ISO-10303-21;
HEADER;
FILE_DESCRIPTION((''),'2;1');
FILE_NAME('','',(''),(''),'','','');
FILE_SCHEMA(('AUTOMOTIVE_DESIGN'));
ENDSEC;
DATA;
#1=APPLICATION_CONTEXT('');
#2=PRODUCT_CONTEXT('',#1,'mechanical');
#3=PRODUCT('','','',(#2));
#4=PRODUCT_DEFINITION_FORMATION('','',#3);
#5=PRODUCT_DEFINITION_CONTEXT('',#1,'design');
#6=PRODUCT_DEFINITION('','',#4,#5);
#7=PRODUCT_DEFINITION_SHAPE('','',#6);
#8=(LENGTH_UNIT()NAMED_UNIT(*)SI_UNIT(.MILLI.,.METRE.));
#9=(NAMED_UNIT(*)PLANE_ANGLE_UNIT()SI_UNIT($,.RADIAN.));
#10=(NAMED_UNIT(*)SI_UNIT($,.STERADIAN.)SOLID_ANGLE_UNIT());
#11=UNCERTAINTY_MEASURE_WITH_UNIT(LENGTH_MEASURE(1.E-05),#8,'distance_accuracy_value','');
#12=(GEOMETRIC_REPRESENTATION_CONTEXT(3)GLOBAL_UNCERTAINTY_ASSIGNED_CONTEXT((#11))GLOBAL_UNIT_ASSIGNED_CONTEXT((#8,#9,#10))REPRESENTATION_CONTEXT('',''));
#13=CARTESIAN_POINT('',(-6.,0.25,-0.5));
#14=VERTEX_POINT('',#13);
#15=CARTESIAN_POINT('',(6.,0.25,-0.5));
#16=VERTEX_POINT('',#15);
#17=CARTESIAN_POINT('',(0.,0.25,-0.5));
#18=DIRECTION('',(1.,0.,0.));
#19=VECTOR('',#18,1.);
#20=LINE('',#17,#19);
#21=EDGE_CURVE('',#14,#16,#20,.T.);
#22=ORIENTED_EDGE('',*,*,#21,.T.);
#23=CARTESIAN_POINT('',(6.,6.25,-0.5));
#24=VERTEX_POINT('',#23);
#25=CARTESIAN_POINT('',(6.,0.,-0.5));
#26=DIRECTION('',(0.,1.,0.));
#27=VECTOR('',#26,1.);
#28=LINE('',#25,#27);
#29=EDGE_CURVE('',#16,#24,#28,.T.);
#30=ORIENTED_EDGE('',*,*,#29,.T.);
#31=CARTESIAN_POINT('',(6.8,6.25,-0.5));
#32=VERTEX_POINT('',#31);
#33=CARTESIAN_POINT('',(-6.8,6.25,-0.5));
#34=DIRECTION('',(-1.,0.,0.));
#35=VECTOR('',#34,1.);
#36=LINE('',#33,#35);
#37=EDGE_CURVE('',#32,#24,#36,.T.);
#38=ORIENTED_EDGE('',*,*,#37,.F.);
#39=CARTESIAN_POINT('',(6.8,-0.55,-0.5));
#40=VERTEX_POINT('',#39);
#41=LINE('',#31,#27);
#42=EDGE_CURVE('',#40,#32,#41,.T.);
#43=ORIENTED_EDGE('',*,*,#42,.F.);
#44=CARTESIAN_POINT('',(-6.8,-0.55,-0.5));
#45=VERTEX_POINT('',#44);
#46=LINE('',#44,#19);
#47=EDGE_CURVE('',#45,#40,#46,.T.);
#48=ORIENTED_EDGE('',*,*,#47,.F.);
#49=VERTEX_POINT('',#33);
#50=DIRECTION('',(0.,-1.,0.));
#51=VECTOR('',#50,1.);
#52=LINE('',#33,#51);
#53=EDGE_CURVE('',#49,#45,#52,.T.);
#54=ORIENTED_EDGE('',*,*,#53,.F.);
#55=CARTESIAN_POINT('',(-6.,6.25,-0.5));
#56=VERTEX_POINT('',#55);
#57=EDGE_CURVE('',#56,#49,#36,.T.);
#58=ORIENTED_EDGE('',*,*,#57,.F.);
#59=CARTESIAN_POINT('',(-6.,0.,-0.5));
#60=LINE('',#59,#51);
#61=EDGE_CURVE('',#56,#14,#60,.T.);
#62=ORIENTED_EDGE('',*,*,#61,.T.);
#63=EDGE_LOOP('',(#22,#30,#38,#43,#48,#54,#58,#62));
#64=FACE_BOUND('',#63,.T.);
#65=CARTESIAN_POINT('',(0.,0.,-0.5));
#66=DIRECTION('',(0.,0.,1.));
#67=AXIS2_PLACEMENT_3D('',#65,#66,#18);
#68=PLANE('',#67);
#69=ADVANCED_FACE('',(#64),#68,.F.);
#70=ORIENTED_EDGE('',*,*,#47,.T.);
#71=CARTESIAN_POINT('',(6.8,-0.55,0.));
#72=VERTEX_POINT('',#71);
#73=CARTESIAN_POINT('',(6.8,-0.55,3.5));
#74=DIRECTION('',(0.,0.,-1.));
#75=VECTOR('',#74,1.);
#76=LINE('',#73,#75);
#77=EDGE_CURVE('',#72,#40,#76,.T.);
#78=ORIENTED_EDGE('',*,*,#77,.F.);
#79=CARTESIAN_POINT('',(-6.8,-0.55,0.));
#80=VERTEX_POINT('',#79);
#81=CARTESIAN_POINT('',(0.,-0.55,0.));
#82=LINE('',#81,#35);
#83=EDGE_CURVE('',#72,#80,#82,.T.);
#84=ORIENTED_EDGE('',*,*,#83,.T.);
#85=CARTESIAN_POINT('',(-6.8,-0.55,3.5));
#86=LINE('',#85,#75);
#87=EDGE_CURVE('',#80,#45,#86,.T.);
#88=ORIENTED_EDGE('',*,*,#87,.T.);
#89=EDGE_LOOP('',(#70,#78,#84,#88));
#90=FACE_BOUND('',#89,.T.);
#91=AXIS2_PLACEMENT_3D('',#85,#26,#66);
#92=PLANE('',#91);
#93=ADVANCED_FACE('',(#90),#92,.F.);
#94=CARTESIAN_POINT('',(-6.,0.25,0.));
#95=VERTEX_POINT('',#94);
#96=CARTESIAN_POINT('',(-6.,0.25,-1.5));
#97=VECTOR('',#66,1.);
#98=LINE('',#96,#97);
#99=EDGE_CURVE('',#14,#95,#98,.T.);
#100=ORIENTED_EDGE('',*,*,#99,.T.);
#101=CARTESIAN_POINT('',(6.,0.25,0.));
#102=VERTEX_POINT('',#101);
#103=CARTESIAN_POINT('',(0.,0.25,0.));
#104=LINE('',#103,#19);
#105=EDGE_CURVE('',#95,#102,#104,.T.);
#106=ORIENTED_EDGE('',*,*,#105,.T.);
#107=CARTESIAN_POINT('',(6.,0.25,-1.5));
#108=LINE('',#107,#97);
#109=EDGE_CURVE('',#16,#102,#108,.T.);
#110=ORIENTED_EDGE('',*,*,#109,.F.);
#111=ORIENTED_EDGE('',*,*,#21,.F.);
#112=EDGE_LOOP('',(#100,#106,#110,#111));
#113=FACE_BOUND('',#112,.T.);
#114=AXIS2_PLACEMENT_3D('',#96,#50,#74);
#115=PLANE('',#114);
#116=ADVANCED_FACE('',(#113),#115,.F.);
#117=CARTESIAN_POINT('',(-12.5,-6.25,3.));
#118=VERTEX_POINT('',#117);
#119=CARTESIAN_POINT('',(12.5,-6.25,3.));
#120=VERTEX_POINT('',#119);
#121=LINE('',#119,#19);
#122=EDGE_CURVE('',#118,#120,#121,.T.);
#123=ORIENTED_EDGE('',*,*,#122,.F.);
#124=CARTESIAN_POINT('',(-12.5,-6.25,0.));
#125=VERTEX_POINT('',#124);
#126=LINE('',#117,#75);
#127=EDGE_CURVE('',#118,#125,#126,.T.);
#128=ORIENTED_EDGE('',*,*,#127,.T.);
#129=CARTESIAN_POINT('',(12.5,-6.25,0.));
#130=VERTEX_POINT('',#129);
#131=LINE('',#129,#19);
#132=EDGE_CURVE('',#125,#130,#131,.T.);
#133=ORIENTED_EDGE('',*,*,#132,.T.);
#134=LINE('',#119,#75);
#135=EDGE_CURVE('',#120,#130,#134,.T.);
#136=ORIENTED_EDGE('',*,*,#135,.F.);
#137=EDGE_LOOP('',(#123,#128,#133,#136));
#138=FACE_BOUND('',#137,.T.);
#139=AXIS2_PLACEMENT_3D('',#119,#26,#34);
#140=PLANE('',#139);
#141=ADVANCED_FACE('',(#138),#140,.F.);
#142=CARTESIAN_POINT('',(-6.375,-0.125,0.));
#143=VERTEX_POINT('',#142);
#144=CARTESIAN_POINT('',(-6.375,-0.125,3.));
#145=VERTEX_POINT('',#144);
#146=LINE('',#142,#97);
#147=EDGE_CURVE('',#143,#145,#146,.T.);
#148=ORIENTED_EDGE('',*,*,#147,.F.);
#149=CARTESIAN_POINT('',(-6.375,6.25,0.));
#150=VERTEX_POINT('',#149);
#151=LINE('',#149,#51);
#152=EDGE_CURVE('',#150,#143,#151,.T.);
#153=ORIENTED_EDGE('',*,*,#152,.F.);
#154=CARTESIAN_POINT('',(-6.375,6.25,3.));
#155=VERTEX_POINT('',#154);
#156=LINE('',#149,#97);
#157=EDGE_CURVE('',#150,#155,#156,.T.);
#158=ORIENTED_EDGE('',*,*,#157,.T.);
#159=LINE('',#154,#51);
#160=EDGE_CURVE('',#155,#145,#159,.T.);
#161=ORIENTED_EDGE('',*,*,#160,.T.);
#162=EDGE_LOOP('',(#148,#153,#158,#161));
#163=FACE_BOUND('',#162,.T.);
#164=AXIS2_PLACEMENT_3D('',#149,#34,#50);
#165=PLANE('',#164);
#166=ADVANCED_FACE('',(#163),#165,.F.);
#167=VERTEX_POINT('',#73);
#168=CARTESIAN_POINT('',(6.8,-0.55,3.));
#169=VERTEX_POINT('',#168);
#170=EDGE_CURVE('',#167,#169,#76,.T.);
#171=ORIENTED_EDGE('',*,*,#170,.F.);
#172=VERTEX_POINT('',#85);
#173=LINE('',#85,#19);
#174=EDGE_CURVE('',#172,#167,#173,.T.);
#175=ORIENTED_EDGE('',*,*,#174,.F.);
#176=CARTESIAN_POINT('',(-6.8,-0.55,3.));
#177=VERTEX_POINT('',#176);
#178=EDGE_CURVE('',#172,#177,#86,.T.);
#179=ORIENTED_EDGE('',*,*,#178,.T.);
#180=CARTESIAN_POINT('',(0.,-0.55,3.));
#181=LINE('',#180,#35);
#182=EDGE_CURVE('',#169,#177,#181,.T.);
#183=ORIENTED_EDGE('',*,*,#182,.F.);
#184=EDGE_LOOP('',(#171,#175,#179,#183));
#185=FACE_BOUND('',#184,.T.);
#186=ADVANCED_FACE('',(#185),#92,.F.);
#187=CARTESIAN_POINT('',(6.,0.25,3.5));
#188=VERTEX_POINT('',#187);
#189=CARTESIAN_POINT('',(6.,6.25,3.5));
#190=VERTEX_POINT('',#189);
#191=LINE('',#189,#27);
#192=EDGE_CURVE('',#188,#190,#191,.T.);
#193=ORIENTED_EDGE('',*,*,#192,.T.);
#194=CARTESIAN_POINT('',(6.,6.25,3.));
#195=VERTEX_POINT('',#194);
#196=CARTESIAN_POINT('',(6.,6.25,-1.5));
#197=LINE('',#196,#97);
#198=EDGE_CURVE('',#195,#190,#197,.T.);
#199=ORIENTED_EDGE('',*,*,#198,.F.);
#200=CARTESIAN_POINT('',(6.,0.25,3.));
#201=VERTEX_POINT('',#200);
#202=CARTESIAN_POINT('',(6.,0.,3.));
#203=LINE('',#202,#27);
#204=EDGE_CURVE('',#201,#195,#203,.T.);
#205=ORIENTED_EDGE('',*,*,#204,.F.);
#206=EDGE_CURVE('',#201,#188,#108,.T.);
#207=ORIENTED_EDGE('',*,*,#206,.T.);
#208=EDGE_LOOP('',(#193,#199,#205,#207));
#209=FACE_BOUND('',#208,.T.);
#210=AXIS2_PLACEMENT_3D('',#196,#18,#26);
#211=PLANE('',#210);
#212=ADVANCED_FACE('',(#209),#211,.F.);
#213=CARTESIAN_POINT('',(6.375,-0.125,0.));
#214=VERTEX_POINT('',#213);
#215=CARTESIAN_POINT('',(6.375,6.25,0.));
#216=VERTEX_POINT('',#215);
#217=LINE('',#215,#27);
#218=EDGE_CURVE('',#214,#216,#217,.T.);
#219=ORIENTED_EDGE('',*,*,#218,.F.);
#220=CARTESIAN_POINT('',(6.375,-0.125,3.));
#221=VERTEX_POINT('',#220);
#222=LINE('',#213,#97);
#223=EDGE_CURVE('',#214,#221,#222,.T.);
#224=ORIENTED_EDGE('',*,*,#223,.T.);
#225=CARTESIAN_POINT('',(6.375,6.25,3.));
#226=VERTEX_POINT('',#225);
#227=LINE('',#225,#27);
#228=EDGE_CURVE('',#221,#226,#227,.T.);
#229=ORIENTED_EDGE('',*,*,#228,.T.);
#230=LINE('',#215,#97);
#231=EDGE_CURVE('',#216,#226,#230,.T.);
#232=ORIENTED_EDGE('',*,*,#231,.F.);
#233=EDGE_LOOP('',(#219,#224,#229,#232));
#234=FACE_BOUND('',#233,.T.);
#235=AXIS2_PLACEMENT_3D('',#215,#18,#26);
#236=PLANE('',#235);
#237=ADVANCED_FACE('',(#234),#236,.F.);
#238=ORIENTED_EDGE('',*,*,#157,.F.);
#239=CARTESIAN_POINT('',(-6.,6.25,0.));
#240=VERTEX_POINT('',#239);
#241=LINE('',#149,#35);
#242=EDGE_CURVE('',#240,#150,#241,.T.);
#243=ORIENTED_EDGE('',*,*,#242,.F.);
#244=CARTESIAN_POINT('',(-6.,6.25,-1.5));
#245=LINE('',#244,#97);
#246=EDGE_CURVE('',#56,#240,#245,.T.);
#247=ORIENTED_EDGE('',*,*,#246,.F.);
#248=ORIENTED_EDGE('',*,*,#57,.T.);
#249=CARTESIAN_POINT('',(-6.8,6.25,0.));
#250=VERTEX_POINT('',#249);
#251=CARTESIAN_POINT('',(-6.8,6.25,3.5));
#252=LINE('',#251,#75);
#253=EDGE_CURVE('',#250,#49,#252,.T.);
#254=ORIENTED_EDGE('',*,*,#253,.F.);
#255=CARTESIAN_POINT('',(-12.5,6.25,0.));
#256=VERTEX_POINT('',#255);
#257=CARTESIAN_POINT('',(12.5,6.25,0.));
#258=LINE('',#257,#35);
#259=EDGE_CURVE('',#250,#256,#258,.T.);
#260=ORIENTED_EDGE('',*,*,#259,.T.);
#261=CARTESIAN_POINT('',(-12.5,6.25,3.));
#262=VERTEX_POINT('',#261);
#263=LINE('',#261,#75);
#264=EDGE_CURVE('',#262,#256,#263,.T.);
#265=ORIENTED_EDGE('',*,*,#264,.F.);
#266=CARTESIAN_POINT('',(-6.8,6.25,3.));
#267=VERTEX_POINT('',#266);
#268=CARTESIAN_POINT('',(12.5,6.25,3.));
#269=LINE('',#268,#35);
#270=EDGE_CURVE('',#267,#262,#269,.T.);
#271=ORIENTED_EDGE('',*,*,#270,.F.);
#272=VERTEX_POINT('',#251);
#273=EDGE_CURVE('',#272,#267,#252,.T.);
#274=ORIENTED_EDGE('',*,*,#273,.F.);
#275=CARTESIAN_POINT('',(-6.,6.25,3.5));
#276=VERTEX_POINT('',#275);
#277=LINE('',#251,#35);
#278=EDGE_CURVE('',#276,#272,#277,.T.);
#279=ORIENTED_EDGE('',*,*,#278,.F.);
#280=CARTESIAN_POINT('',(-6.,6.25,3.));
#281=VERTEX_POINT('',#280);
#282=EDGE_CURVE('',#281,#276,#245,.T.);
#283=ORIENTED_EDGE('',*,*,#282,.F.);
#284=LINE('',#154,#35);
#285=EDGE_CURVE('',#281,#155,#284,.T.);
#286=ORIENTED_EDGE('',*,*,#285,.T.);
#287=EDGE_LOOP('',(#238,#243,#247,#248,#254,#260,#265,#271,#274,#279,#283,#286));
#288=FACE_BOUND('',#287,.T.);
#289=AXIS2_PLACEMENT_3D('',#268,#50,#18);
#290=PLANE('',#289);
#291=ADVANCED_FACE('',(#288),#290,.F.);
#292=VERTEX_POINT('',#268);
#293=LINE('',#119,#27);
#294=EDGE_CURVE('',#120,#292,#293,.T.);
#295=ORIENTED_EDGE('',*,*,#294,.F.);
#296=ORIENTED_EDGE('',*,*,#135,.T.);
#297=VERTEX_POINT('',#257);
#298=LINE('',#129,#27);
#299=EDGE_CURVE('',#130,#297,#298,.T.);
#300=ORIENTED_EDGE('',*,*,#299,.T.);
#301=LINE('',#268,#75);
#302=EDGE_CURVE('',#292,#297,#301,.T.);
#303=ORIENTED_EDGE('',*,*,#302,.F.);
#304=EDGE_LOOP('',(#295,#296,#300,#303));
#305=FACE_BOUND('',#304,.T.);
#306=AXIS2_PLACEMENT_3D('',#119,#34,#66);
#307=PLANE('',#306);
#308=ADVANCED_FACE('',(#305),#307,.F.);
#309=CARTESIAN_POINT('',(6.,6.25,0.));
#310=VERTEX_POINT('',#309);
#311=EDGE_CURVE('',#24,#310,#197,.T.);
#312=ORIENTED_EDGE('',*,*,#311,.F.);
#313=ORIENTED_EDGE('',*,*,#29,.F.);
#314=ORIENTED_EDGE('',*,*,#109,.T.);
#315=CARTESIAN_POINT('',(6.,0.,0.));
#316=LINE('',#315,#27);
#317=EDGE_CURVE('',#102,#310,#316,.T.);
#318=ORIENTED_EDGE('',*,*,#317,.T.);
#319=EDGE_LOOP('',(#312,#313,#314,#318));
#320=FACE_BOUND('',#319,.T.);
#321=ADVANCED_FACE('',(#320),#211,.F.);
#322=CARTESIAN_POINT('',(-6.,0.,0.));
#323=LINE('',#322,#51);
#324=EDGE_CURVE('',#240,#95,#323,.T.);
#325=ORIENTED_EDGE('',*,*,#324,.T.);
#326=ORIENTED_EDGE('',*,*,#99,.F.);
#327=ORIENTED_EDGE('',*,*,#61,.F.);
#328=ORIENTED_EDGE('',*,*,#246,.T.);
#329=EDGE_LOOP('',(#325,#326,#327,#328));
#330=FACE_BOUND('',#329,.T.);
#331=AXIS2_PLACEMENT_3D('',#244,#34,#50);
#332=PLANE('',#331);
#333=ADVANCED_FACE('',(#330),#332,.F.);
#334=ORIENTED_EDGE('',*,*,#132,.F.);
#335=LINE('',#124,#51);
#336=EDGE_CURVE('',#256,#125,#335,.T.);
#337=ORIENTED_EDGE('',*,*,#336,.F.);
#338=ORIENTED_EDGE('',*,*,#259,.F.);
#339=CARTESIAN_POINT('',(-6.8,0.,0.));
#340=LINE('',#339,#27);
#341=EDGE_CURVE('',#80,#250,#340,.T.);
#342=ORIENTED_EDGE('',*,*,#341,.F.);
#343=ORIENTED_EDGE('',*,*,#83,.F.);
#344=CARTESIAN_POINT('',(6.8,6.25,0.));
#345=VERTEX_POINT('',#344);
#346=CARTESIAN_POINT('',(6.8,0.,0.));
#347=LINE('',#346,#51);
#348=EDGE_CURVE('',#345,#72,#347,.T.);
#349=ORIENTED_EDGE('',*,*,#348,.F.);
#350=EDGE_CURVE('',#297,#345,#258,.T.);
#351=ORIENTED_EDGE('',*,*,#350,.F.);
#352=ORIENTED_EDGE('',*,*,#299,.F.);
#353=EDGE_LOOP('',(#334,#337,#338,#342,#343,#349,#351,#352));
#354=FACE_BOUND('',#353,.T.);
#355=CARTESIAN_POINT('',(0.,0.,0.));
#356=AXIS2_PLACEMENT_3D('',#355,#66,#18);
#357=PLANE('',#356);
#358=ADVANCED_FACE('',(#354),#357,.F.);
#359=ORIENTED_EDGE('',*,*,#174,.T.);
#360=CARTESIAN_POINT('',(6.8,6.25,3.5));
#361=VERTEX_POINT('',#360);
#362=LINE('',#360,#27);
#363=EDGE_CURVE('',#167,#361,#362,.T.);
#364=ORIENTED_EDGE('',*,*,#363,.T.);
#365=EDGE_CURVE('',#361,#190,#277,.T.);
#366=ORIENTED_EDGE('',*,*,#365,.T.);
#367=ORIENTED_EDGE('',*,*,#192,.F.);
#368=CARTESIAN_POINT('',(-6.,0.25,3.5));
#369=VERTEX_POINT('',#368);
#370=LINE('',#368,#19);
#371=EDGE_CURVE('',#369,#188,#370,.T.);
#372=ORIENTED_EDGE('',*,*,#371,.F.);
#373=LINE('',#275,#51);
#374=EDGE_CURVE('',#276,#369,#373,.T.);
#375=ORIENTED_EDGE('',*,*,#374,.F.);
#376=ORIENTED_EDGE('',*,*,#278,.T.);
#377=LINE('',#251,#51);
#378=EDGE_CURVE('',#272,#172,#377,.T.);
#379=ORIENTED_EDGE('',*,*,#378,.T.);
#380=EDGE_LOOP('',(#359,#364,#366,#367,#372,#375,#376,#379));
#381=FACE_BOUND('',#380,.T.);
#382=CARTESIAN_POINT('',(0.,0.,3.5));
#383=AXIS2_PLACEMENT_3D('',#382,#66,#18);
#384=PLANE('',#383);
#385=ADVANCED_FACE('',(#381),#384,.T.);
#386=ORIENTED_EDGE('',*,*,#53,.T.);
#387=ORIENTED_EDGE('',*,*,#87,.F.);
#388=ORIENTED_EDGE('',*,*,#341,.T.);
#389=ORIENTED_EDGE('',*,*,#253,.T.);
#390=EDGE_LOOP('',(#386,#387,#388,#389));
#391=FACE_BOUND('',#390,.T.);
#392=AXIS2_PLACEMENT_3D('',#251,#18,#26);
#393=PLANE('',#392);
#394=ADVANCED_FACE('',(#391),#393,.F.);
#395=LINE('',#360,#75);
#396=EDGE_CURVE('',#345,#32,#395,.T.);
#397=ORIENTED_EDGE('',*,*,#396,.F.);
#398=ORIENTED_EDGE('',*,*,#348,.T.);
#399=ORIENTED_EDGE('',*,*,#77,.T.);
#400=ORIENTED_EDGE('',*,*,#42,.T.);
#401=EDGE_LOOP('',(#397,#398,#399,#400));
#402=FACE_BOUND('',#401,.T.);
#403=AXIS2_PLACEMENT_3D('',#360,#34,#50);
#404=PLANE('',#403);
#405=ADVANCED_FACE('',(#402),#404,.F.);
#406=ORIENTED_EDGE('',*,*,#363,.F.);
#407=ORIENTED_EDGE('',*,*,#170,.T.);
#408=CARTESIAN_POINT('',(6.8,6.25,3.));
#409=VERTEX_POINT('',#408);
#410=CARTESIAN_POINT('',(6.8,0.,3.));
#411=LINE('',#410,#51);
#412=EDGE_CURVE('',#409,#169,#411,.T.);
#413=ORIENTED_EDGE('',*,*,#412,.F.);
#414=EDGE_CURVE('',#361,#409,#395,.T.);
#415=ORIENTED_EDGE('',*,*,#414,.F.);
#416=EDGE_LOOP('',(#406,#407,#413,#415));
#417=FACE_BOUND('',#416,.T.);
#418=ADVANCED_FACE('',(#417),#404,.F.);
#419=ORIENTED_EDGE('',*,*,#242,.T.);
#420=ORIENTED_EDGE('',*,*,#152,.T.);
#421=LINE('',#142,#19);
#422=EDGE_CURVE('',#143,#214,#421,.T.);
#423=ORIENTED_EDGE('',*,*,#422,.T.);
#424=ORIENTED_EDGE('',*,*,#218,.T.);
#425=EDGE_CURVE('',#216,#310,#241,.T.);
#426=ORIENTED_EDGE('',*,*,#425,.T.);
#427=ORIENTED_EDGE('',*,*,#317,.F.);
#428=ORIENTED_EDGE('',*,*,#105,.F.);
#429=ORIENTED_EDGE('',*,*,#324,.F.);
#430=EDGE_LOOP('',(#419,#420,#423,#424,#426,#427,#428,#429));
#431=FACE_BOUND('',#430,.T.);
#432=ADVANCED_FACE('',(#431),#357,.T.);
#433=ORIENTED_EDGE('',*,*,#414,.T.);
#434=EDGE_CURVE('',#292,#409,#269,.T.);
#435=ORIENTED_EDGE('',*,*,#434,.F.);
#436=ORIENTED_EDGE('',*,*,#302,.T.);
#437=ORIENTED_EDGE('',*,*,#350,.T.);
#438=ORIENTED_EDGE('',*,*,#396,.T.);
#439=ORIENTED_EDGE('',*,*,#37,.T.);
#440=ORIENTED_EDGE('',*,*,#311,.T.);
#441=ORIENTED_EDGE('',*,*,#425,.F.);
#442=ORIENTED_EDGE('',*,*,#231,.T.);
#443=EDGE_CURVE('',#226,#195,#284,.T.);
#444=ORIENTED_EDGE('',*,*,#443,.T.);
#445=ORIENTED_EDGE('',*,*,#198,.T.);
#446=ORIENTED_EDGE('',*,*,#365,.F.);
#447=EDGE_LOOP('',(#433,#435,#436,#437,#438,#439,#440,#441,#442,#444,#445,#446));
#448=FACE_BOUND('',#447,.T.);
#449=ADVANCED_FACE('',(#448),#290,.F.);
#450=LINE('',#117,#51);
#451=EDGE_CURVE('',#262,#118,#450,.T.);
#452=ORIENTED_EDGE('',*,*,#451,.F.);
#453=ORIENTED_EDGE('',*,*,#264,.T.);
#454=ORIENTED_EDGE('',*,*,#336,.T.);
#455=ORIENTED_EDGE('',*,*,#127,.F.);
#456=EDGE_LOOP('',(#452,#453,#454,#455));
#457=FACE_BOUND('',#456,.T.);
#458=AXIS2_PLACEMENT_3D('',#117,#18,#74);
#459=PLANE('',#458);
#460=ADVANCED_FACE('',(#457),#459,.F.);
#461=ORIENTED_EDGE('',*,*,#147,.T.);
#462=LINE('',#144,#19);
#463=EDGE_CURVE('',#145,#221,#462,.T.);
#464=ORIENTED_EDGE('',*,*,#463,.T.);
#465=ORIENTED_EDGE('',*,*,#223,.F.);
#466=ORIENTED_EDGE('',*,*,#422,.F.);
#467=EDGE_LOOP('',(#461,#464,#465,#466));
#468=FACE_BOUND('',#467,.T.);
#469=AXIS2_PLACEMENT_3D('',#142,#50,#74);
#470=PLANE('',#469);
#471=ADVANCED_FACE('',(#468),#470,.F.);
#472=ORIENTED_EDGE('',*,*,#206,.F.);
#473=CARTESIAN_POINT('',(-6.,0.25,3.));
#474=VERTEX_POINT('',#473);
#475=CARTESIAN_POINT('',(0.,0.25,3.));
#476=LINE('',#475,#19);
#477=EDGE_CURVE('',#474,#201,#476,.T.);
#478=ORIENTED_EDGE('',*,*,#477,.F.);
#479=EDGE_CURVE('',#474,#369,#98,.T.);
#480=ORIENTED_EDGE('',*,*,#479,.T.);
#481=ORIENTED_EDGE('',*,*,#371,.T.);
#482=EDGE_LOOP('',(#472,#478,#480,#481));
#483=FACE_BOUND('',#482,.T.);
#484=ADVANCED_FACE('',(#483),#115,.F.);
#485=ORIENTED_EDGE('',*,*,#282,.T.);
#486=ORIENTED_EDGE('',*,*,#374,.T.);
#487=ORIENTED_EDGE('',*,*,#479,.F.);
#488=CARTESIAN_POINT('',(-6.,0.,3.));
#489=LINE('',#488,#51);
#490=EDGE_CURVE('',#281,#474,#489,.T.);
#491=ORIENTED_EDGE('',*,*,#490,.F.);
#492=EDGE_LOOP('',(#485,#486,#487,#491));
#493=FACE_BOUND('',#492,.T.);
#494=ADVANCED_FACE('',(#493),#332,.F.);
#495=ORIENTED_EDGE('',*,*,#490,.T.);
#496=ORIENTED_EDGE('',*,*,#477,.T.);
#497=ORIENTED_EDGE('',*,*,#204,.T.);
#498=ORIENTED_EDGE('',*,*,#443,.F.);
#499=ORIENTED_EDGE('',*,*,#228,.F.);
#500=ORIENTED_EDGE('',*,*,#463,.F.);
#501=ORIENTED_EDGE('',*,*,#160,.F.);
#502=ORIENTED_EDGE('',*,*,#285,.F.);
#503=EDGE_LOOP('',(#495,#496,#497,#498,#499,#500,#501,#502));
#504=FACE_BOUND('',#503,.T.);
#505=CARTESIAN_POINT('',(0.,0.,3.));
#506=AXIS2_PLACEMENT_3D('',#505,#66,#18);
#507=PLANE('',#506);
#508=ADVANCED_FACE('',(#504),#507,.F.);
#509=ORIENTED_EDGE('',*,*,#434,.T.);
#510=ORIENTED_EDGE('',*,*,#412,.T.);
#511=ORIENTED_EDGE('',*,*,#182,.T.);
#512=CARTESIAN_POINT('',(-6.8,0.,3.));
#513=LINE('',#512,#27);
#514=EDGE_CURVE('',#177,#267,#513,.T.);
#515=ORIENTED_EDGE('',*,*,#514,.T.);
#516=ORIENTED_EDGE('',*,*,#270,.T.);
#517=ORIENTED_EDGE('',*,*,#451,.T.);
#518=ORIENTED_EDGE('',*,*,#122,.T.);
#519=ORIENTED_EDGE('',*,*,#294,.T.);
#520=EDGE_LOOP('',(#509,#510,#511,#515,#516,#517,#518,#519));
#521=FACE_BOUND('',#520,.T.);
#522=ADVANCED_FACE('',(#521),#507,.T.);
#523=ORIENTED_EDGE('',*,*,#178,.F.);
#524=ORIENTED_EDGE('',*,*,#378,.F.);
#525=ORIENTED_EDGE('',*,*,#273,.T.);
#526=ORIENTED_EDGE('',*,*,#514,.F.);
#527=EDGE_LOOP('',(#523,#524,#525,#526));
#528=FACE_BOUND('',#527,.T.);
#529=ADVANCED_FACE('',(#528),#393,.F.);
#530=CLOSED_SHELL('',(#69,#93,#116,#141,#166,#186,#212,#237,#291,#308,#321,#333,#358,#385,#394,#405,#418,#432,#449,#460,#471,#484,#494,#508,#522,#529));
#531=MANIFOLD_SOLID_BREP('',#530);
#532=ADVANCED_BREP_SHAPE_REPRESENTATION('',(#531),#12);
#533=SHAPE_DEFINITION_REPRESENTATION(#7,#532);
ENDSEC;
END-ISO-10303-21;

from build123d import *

# Parameters (mm, degrees)
SKETCH1_W           = 25
SKETCH1_H           = 12.5
BOSS_EXTRUDE1_DEPTH = 3
BOSS_EXTRUDE3_START = -1.5
SKETCH2_W           = 13.6
SKETCH2_H           = 6.8
BOSS_EXTRUDE3_DEPTH = 2
CUT_EXTRUDE2_START  = -2
SKETCH4_W           = 12.75
SKETCH4_H           = 6.375
CUT_EXTRUDE2_DEPTH  = 1.5
SKETCH5_W           = 12
SKETCH5_H           = 6
CUT_EXTRUDE3_DEPTH  = 5


with BuildPart() as part:
    # Sketch1 → Boss-Extrude1 (new body)
    with BuildSketch(Plane.XY):
        Rectangle(SKETCH1_W, SKETCH1_H)
    extrude(amount=BOSS_EXTRUDE1_DEPTH)

    # Sketch2 → Boss-Extrude3 (add, symmetric)
    with BuildSketch(Plane.XY.offset(3).offset(BOSS_EXTRUDE3_START)):
        with Locations((0, 2.85)):
            Rectangle(SKETCH2_W, SKETCH2_H)
    extrude(amount=BOSS_EXTRUDE3_DEPTH, both=True)

    # Sketch4 → Cut-Extrude2 (cut, symmetric)
    with BuildSketch(Plane.XY.offset(3.5).offset(CUT_EXTRUDE2_START)):
        with Locations((0, 3.0625)):
            Rectangle(SKETCH4_W, SKETCH4_H)
    extrude(amount=CUT_EXTRUDE2_DEPTH, both=True, mode=Mode.SUBTRACT)

    # Sketch5 → Cut-Extrude3 (cut)
    with BuildSketch(Plane.XY.offset(3.5)):
        with Locations((0, 3.25)):
            Rectangle(SKETCH5_W, SKETCH5_H)
    extrude(amount=-CUT_EXTRUDE3_DEPTH, mode=Mode.SUBTRACT)


solid = part.part
